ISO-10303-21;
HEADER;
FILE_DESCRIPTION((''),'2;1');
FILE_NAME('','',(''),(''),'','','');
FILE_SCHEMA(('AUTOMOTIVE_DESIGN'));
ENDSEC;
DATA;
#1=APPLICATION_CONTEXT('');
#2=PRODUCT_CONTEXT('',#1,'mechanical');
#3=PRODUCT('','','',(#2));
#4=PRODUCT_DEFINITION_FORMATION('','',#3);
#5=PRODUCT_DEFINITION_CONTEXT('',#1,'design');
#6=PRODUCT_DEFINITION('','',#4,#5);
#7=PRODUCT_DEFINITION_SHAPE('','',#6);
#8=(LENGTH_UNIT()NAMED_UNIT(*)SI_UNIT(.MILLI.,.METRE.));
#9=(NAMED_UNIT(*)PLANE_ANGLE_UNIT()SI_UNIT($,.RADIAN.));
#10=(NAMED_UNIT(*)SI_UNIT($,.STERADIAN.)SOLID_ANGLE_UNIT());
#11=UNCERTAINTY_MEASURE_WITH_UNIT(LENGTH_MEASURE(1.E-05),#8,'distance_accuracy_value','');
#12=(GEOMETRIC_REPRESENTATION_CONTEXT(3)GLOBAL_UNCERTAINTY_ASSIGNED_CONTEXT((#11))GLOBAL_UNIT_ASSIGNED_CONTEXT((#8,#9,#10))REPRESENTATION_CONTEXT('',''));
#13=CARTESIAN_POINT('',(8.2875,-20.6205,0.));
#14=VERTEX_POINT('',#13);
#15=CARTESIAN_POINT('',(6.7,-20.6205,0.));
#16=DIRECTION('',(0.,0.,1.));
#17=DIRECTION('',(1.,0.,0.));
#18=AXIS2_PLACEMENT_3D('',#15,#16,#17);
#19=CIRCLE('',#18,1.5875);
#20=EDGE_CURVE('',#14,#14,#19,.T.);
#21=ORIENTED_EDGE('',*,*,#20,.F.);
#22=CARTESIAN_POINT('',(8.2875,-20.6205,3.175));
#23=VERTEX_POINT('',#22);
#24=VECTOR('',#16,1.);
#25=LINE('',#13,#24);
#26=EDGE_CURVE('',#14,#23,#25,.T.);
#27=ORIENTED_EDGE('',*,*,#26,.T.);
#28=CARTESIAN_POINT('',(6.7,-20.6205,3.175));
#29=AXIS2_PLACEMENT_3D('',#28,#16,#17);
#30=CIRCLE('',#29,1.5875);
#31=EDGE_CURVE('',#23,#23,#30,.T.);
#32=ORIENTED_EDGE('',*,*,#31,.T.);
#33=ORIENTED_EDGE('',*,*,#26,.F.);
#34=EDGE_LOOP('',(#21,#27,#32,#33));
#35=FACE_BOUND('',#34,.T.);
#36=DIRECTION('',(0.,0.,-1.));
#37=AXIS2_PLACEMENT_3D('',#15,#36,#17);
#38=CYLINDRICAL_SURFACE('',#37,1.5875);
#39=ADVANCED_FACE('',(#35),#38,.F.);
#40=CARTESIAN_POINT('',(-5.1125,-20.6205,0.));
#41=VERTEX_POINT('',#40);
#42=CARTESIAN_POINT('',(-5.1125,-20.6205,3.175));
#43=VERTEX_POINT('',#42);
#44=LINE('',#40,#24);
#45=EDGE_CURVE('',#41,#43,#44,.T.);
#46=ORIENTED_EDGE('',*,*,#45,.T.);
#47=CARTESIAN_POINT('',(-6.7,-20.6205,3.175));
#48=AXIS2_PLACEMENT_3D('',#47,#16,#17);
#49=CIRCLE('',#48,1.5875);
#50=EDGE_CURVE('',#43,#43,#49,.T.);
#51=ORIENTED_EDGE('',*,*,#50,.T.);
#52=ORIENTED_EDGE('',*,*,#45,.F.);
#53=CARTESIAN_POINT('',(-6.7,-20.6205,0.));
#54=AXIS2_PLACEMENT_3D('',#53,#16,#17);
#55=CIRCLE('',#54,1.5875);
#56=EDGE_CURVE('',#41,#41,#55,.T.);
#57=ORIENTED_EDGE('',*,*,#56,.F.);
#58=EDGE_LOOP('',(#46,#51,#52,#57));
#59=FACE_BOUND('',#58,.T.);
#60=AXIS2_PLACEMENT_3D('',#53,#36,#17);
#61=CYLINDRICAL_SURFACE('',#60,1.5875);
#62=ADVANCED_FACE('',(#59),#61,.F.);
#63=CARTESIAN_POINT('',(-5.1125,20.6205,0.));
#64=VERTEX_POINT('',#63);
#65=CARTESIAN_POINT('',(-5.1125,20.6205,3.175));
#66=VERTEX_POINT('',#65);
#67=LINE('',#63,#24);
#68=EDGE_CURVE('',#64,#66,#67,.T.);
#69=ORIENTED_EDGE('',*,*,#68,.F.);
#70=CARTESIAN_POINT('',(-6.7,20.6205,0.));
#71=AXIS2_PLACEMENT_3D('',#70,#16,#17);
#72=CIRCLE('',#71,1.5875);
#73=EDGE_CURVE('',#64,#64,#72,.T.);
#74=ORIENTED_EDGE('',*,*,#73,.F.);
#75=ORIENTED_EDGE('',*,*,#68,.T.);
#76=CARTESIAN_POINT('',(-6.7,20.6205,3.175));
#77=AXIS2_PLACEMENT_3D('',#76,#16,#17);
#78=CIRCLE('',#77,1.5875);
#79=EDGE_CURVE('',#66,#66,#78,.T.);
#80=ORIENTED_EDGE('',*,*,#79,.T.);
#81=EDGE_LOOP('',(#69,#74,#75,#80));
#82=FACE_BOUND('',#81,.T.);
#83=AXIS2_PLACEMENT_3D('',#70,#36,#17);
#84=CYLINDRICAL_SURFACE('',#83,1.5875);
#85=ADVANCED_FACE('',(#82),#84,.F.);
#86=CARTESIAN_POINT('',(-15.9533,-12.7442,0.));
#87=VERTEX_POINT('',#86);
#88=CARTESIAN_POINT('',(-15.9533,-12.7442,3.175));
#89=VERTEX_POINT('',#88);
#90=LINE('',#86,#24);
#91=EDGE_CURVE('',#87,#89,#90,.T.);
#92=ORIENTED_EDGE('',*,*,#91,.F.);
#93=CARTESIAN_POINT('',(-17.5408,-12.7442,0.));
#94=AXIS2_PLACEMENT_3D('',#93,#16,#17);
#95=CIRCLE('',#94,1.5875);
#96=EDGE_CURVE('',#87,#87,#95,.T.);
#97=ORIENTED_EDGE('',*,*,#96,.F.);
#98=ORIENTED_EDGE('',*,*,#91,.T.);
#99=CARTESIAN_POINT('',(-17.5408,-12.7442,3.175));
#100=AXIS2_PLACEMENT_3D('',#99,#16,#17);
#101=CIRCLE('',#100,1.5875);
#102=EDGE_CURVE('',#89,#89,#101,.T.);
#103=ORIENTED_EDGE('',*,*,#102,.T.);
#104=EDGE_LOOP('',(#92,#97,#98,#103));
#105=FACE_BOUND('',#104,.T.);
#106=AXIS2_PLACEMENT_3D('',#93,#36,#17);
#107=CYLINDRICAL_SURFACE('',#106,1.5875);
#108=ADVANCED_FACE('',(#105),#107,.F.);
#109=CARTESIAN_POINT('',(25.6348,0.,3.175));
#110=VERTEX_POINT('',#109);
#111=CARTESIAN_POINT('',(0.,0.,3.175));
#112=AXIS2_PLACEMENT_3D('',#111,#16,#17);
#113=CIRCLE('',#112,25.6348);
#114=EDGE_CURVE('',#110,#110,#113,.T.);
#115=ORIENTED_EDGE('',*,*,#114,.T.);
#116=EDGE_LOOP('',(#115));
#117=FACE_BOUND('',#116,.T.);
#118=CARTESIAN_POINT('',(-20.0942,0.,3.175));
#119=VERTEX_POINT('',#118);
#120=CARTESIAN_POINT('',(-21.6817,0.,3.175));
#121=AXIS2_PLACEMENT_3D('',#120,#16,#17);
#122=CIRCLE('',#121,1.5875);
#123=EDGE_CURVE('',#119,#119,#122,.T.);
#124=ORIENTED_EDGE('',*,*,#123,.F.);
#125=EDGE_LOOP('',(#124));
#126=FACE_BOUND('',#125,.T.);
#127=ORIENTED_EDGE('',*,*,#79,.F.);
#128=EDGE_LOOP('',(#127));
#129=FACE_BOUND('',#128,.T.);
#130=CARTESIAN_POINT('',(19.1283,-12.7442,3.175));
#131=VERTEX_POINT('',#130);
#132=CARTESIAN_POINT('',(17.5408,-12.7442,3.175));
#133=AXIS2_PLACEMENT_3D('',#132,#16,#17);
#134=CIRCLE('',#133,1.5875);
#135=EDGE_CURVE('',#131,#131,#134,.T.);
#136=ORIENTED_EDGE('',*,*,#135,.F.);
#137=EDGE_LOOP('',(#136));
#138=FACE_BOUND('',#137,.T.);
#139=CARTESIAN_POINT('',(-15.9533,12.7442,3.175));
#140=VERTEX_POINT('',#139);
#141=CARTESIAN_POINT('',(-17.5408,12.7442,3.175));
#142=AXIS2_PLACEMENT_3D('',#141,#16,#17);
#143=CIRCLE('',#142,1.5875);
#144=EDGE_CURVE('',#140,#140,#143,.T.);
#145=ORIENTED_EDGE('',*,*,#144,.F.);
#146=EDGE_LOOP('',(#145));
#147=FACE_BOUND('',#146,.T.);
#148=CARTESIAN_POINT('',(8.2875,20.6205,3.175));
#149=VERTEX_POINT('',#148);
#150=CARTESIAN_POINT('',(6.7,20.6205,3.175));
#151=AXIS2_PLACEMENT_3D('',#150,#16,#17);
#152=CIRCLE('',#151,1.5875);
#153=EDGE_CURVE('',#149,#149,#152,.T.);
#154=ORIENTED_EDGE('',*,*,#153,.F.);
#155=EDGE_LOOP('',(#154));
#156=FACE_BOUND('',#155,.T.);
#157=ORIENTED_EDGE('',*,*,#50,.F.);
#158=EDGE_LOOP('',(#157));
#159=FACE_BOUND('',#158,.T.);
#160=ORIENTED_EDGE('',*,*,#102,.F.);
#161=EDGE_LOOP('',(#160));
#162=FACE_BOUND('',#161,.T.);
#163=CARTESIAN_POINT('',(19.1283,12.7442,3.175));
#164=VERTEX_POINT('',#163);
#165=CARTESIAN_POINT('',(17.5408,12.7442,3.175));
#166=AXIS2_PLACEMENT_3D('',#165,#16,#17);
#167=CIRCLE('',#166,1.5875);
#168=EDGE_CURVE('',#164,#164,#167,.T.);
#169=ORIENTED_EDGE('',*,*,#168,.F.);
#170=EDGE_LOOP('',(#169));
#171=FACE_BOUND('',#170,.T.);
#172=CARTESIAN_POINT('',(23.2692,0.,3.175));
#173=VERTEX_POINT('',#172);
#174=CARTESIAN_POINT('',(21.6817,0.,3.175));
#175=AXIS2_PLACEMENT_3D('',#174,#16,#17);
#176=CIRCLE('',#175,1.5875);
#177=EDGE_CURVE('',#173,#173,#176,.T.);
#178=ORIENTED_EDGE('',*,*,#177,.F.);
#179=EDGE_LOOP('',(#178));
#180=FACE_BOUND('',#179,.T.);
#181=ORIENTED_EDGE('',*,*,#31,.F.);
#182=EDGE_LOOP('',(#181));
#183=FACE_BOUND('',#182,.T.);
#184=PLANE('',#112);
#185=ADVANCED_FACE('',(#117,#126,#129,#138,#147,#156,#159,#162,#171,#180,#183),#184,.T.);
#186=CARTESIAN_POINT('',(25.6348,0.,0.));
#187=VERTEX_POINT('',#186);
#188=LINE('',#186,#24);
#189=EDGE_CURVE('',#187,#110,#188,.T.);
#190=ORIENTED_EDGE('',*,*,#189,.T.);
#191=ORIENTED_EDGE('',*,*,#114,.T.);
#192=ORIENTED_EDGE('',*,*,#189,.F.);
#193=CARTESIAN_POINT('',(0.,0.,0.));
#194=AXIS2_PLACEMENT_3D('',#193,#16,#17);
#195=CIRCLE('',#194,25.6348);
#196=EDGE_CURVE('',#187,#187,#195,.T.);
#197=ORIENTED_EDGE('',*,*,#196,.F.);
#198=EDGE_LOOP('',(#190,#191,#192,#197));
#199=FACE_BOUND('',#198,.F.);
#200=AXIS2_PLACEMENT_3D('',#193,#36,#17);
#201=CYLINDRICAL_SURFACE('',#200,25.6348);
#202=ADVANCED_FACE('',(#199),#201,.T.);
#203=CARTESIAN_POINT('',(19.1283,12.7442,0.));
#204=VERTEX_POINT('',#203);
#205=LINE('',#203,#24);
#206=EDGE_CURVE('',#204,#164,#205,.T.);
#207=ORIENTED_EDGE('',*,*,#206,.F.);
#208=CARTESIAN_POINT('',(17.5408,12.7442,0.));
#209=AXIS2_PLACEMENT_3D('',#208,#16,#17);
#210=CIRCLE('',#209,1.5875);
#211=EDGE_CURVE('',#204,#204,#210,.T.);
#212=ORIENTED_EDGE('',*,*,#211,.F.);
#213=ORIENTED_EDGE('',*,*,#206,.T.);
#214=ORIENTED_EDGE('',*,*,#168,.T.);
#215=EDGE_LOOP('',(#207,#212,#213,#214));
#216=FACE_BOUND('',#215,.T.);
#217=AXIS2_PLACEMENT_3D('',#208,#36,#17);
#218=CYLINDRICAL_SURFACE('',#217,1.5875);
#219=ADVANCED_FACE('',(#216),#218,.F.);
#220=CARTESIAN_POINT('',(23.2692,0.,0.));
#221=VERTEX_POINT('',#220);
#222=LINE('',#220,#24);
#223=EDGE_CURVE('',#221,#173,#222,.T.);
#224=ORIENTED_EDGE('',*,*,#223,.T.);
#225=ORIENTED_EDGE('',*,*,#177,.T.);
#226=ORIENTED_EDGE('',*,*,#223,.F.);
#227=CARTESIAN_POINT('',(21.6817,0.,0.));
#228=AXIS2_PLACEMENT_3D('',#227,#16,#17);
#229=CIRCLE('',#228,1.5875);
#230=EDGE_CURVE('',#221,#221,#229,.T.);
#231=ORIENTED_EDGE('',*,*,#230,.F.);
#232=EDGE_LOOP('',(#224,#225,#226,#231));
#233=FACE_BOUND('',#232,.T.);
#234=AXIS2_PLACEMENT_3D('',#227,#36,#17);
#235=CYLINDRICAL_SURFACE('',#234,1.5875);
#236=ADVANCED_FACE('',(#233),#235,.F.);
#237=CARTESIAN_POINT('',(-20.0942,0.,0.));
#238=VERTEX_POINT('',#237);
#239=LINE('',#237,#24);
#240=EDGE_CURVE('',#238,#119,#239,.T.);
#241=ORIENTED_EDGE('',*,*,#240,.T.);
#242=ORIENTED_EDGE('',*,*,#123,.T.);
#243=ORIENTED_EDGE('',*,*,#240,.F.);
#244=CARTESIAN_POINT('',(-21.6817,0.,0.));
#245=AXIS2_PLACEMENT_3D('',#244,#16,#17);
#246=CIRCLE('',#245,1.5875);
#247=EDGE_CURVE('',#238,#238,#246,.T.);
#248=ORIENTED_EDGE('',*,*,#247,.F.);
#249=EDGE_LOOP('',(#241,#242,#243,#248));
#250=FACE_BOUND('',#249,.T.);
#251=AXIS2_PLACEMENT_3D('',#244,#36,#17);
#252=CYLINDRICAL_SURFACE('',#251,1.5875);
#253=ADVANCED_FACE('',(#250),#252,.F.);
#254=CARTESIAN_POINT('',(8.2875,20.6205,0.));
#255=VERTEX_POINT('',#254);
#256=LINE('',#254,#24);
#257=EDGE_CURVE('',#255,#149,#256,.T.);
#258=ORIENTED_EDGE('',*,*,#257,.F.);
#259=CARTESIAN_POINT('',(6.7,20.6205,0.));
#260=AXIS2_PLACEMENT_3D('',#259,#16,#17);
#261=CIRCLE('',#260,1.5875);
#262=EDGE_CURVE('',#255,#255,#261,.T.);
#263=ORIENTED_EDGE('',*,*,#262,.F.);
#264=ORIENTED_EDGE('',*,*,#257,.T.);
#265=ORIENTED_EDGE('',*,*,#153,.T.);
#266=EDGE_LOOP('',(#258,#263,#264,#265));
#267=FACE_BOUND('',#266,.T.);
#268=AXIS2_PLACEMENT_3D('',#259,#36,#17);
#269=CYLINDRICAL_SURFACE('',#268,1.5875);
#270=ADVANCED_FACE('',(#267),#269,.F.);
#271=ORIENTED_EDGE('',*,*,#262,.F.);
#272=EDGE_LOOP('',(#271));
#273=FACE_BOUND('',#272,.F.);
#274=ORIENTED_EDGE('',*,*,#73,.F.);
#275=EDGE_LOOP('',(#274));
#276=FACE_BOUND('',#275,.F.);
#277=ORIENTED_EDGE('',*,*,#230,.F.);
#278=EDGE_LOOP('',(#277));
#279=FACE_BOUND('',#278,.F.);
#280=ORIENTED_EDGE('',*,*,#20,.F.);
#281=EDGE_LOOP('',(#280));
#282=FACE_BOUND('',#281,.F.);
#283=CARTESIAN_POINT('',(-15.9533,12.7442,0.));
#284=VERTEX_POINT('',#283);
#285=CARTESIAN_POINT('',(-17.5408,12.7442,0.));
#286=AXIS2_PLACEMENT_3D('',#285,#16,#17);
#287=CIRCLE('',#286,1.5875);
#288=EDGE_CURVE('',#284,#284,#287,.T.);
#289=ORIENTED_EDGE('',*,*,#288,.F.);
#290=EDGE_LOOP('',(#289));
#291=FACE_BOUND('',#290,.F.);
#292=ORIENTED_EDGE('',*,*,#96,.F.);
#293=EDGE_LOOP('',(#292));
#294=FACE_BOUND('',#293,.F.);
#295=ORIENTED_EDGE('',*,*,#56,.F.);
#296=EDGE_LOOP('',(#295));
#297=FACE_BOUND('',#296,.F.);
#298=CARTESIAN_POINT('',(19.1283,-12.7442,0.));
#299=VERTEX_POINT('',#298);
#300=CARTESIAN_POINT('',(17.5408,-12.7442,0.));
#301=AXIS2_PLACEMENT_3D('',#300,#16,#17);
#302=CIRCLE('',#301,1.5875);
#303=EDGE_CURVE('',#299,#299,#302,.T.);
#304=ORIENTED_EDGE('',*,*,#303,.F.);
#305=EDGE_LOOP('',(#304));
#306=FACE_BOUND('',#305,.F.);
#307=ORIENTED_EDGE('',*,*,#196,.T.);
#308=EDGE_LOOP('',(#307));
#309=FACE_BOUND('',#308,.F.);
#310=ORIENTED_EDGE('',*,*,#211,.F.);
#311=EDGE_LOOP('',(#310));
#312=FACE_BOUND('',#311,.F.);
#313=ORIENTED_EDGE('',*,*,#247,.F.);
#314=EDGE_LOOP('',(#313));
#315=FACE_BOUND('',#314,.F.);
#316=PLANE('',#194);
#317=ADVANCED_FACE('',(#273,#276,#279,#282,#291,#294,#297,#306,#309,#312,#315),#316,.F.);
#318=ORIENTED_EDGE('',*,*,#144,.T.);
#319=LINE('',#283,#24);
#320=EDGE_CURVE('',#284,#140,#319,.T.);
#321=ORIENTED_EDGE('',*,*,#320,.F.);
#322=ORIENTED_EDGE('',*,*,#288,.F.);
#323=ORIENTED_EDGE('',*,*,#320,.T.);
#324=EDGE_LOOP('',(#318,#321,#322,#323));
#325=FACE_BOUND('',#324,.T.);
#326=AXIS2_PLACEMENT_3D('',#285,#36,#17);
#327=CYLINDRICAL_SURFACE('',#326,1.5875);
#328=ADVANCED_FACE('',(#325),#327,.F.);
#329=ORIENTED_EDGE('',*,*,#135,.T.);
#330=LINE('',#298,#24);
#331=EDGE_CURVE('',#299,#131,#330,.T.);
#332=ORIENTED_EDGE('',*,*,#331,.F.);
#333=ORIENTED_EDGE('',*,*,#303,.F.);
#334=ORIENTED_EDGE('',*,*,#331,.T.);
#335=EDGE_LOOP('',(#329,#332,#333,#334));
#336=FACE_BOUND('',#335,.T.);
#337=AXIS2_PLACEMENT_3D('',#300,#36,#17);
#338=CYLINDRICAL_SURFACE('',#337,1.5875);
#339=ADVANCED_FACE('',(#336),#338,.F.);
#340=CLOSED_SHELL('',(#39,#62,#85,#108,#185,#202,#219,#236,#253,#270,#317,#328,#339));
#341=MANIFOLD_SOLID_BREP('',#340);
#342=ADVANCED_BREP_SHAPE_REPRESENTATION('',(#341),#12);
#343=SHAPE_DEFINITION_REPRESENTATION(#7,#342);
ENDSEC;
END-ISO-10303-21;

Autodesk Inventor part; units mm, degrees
ref_plane "YZ Plane" through (0, 0, 0) normal (1, 0, 0) x (0, 1, 0)
ref_plane "XZ Plane" through (0, 0, 0) normal (0, 1, 0) x (-1, 0, 0)
ref_plane "XY Plane" through (0, 0, 0) normal (0, 0, 1) x (1, 0, 0)
ref_plane "Work Plane1" through (0, 0, 0) normal (0, 0, 1) x (1, 0, 0)
sketch "Sketch1" plane through (0, 0, 0) normal (0, 0, 1) x (1, 0, 0)
  circle A0 centre (0, 0) radius 25.6348 projected
  circle A1 centre (-6.7, 20.6205) radius 1.5875 projected
  circle A2 centre (6.7, 20.6205) radius 1.5875 projected
  circle A3 centre (17.5408, 12.7442) radius 1.5875 projected
  circle A4 centre (21.6817, 0) radius 1.5875 projected
  circle A5 centre (17.5408, -12.7442) radius 1.5875 projected
  circle A6 centre (6.7, -20.6205) radius 1.5875 projected
  circle A7 centre (-6.7, -20.6205) radius 1.5875 projected
  circle A8 centre (-17.5408, -12.7442) radius 1.5875 projected
  circle A9 centre (-21.6817, 0) radius 1.5875 projected
  circle A10 centre (-17.5408, 12.7442) radius 1.5875 projected
  point P0 (0, 0)
extrude "Extrusion1" add sketch "Sketch1" along normal blind 3.175
properties part number "topPlate" material "Polycarbonate, Clear"
